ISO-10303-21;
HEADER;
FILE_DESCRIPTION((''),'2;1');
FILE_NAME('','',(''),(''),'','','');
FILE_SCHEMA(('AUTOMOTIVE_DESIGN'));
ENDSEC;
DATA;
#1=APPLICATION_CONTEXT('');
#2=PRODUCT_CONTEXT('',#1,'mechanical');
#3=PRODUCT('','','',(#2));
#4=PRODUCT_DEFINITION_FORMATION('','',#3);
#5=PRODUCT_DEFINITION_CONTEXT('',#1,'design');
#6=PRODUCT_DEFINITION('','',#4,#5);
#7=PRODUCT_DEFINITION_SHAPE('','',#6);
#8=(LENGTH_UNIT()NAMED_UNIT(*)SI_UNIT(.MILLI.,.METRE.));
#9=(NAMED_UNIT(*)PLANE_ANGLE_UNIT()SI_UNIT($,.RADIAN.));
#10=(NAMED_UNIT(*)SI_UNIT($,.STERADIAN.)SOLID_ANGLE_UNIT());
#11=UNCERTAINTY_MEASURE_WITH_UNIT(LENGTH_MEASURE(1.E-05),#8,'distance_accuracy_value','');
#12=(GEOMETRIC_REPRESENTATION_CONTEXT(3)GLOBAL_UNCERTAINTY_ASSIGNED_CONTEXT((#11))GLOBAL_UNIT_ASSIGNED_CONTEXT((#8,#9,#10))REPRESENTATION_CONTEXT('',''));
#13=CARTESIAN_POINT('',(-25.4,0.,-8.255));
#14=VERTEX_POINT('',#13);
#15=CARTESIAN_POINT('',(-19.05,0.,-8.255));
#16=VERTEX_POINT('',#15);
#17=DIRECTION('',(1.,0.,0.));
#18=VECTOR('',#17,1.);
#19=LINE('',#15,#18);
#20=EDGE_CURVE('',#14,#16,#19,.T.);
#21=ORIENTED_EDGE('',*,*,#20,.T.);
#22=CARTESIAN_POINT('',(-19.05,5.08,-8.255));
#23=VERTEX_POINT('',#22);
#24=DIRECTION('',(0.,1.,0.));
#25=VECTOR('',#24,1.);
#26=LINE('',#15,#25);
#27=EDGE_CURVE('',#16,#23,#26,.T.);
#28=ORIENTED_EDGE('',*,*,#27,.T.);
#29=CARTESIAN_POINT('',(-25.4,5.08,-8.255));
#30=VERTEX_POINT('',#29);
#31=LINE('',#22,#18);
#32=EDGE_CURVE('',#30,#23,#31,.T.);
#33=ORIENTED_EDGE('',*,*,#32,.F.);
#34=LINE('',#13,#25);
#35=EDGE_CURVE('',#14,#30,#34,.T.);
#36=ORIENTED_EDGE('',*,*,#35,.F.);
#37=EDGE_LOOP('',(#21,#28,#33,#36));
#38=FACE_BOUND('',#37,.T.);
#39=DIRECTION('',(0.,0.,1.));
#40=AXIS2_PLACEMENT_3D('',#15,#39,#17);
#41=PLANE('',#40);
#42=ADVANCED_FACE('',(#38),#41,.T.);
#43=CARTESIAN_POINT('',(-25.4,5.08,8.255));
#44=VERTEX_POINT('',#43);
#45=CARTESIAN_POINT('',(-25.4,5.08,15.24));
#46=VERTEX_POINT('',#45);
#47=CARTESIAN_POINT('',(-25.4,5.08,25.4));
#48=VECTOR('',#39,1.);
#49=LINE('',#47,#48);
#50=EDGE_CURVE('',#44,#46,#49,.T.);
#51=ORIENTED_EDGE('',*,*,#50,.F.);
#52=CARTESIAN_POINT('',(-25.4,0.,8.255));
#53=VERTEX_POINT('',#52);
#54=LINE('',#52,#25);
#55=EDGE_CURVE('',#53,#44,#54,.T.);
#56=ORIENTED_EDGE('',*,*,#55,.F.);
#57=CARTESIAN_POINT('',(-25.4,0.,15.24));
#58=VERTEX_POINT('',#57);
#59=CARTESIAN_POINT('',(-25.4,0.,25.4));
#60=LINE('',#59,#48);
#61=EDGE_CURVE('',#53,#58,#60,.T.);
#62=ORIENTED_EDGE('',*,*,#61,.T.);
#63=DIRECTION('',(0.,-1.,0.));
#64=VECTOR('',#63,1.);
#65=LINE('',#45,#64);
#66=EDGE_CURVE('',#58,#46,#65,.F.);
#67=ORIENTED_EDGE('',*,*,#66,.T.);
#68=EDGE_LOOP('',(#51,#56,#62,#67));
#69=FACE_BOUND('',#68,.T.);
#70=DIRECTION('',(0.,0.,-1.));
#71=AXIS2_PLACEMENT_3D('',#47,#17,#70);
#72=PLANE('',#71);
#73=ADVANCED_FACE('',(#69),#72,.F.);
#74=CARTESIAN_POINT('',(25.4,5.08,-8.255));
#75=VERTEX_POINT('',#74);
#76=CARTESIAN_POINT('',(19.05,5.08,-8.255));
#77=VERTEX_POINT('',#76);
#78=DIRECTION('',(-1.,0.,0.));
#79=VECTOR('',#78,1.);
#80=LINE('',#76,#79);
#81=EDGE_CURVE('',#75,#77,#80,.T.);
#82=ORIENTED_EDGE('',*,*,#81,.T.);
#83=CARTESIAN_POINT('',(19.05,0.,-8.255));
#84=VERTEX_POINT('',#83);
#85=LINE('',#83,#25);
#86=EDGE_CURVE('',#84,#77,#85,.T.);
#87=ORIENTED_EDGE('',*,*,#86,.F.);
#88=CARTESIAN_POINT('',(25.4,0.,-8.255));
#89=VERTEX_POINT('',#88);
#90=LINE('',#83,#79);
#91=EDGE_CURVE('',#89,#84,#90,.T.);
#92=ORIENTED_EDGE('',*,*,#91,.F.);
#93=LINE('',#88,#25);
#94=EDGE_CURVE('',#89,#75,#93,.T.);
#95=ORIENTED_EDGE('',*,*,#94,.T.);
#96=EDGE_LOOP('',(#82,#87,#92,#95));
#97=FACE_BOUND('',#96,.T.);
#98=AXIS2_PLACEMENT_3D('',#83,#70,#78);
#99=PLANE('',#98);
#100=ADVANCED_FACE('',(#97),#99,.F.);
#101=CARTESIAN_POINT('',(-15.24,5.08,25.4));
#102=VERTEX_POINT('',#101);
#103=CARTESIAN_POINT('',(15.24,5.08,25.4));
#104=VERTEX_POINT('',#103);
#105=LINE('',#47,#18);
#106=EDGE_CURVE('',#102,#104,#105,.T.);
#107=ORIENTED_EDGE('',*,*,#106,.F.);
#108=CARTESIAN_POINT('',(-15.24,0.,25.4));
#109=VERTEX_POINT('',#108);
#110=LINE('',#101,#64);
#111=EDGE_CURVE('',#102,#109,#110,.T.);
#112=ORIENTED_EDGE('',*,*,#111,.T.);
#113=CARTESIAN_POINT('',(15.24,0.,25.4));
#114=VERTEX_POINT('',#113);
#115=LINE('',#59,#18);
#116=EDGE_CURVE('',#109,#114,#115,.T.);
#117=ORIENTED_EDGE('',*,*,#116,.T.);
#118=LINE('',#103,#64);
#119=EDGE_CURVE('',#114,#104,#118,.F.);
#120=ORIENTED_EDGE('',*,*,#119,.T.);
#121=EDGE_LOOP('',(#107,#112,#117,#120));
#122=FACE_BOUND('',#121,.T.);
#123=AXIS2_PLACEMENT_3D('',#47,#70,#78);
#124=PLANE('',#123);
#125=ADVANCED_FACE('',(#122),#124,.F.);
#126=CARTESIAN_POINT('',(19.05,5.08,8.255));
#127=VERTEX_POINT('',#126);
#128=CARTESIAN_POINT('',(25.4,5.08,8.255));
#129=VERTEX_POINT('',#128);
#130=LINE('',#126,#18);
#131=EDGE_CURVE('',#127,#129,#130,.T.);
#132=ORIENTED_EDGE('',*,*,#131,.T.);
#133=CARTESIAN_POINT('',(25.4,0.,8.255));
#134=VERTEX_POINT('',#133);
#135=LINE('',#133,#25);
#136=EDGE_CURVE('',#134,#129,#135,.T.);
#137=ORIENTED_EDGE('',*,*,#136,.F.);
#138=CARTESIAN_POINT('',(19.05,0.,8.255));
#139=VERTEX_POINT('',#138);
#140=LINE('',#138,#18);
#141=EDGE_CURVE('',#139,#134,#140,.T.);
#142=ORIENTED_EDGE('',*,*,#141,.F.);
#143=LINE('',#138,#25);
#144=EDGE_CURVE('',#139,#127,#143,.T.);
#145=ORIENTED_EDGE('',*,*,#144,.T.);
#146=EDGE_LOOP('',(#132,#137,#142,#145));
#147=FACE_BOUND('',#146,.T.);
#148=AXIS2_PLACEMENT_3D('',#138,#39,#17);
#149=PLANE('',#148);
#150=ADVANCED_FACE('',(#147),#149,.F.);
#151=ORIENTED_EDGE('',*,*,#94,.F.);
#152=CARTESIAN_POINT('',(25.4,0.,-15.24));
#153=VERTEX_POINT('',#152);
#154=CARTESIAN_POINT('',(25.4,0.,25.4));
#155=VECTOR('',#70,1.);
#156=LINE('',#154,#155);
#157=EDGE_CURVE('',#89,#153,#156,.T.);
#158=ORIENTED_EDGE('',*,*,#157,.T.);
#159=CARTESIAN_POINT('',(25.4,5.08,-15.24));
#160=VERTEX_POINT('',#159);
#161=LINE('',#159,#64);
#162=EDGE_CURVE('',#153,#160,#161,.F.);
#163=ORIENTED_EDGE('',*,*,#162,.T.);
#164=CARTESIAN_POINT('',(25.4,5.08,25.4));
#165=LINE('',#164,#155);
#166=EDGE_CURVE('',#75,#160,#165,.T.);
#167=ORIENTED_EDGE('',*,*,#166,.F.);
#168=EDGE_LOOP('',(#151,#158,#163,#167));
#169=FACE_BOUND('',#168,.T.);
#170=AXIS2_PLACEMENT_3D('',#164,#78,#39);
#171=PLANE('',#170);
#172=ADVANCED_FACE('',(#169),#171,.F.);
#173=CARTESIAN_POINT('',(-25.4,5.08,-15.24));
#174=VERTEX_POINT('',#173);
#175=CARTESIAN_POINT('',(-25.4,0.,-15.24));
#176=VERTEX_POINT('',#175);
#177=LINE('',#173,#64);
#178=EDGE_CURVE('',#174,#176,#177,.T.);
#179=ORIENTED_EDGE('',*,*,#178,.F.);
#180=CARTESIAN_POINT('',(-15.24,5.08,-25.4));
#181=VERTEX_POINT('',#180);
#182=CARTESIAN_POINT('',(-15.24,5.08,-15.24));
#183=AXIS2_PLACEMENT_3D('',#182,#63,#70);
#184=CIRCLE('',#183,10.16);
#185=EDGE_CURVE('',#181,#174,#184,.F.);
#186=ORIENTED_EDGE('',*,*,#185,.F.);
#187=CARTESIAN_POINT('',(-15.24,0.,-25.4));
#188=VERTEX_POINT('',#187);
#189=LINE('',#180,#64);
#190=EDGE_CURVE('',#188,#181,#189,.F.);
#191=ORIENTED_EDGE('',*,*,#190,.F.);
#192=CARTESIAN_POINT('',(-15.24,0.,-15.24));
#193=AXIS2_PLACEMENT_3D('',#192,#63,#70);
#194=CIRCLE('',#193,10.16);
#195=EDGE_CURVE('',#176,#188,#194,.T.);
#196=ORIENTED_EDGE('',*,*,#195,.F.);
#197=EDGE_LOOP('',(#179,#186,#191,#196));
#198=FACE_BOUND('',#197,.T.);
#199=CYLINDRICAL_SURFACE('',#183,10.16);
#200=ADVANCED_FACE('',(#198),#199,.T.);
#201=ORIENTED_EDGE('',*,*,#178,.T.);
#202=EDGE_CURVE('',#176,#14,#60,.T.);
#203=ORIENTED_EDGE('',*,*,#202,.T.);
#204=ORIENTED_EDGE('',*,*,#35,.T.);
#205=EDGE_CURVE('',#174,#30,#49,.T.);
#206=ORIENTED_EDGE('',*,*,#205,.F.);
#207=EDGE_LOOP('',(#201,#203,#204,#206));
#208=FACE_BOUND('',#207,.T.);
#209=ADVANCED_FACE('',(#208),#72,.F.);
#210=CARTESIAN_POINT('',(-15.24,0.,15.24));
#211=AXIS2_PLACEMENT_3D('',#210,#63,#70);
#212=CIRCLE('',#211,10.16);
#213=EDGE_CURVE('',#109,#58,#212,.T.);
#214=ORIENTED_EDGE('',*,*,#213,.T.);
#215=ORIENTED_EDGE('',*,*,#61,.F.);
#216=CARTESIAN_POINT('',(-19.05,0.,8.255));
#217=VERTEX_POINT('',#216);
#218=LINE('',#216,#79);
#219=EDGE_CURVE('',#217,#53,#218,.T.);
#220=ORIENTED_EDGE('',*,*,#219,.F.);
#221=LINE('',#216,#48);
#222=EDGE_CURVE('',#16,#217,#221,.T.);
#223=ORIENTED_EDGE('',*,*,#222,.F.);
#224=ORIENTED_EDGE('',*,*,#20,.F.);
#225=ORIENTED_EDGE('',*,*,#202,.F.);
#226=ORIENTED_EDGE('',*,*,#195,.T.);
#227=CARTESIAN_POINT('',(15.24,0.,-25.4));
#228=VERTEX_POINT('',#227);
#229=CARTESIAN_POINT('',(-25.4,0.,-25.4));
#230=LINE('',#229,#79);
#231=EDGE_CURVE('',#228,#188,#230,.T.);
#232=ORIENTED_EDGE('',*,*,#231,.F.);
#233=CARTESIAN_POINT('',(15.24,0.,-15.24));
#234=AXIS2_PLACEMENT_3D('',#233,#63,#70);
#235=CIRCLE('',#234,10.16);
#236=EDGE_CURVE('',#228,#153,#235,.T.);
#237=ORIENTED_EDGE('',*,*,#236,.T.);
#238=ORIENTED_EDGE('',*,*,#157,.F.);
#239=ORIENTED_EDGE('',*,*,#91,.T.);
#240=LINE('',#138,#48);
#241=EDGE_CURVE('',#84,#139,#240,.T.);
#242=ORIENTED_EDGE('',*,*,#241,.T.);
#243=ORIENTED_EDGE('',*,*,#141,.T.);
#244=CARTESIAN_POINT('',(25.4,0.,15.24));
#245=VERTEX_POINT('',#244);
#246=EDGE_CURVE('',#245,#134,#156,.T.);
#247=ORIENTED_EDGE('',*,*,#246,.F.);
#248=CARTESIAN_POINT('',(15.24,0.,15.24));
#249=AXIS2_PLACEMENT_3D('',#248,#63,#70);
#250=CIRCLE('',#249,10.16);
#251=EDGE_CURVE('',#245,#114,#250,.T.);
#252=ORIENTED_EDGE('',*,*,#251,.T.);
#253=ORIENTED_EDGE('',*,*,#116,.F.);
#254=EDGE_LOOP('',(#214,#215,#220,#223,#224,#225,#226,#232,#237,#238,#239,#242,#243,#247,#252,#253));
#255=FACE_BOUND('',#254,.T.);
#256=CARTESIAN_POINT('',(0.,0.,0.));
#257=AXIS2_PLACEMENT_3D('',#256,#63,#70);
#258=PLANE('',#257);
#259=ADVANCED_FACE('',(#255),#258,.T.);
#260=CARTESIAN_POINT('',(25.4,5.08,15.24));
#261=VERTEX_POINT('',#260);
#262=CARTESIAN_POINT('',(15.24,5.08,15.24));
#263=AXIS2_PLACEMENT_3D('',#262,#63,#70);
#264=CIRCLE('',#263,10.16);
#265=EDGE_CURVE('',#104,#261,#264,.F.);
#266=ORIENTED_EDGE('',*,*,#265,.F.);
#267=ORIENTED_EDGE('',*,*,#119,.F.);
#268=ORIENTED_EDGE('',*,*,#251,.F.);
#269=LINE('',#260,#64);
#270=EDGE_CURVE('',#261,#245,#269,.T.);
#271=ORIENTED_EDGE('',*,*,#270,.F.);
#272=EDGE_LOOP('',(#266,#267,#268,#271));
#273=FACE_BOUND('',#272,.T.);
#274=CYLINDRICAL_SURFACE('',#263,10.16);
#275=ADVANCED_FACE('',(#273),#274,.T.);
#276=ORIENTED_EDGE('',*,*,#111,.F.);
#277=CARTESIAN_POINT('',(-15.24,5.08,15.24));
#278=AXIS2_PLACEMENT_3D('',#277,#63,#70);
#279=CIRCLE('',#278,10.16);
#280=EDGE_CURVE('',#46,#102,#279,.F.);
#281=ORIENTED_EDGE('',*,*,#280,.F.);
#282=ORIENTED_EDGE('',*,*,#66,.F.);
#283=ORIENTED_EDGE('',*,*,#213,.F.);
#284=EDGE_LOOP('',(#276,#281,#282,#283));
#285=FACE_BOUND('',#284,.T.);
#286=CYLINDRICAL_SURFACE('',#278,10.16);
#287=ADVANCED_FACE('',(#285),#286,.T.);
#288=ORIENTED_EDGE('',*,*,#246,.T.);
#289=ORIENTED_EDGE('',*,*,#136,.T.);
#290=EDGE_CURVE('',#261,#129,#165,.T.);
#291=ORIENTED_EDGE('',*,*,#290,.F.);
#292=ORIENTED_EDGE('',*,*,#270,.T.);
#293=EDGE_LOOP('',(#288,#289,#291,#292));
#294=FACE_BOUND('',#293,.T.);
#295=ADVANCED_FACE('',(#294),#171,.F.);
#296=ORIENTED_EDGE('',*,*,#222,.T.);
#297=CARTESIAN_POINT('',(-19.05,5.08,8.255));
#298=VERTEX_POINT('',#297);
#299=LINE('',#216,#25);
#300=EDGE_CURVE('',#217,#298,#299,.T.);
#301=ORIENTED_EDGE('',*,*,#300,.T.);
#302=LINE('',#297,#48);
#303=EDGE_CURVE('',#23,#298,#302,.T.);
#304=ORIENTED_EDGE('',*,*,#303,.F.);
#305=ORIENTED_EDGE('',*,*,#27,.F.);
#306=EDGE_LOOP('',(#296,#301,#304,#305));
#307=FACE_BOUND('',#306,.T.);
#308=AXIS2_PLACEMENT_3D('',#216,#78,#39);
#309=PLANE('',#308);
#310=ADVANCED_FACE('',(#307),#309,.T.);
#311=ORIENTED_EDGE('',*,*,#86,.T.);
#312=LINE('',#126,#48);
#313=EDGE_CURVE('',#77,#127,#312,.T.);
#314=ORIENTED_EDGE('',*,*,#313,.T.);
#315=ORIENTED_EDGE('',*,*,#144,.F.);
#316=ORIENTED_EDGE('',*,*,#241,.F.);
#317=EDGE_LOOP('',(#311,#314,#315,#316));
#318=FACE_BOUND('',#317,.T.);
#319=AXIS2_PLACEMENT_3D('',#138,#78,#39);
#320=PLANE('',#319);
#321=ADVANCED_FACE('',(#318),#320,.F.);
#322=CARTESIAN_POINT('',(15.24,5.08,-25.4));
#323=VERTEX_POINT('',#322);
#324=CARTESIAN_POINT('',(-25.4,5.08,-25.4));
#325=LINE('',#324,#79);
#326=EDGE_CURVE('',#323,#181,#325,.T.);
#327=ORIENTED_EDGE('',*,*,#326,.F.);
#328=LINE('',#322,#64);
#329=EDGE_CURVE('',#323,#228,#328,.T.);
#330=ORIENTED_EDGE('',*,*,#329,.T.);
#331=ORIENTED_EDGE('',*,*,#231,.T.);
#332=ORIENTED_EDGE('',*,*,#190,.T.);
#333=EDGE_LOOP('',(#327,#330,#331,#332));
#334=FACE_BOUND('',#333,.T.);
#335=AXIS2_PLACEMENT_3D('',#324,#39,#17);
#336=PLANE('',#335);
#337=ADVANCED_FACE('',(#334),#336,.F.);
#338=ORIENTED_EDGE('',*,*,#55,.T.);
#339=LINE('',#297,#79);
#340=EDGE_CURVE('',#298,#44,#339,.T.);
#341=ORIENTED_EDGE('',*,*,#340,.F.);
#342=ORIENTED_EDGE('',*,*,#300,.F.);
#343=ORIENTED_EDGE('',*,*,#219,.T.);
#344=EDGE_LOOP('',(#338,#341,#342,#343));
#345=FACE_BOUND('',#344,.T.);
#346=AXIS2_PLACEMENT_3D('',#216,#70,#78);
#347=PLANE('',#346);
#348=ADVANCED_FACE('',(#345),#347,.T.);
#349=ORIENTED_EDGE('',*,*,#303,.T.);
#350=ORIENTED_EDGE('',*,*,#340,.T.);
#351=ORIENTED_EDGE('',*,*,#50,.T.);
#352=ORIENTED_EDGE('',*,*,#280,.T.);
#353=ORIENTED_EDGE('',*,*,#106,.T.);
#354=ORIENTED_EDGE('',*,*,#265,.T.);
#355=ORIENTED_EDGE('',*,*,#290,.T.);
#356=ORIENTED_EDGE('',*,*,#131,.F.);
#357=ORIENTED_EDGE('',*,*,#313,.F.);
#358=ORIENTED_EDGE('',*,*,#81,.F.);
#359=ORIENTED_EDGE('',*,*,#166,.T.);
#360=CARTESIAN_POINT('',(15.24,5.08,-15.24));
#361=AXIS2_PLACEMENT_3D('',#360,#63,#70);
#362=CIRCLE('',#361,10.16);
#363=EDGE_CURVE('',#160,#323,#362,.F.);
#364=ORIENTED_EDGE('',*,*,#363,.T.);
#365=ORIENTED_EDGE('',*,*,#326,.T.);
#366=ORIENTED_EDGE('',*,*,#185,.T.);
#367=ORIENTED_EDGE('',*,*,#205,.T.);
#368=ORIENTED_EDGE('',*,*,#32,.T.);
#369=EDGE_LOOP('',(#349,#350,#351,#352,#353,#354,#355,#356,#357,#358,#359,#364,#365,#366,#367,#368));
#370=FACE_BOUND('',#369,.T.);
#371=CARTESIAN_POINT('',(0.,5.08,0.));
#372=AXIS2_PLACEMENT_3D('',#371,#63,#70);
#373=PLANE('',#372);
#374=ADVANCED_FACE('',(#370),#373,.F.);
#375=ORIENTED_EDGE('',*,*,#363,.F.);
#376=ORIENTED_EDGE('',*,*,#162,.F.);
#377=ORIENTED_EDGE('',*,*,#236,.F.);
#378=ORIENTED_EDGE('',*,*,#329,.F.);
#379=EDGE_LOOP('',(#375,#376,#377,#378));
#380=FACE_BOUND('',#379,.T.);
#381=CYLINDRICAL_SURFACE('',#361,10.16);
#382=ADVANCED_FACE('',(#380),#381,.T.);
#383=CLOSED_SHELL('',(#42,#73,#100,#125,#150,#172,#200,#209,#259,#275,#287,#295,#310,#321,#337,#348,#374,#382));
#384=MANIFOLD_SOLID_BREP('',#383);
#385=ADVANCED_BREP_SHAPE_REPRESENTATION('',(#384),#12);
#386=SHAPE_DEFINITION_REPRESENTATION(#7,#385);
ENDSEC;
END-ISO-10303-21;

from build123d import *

# Parameters (mm, degrees)
SKETCH1_W           = 50.8
SKETCH1_H           = 50.8
BOSS_EXTRUDE1_DEPTH = 5.08
FILLET1_R           = 10.16
SKETCH2_W           = 6.35
SKETCH2_H           = 16.51
CUT_EXTRUDE1_DEPTH  = 5.08


with BuildPart() as part:
    # Sketch1 → Boss-Extrude1 (new body)
    with BuildSketch(Plane(origin=(0, 0, 0), x_dir=(1, 0, 0), z_dir=(0, 1, 0))):
        Rectangle(SKETCH1_W, SKETCH1_H)
    extrude(amount=BOSS_EXTRUDE1_DEPTH)

    # Fillet1
    fillet1_edges = [part.edges().sort_by_distance(p)[0] for p in [
        (25.4, 2.54, 25.4),
        (-25.4, 2.54, 25.4),
        (-25.4, 2.54, -25.4),
        (25.4, 2.54, -25.4),
    ]]
    fillet(fillet1_edges, radius=FILLET1_R)

    # Sketch2 → Cut-Extrude1 (cut)
    with BuildSketch(Plane(origin=(0, 5.08, 0), x_dir=(1, 0, 0), z_dir=(0, 1, 0))):
        with Locations((22.225, 0)):
            Rectangle(SKETCH2_W, SKETCH2_H)
    cut_extrude1 = extrude(amount=-CUT_EXTRUDE1_DEPTH, mode=Mode.SUBTRACT)

    # Mirror1: Cut-Extrude1 across plane
    add(cut_extrude1.mirror(Plane(origin=(0, 0, 0), x_dir=(0, 0, 1), z_dir=(1, 0, 0))), mode=Mode.SUBTRACT)


solid = part.part
